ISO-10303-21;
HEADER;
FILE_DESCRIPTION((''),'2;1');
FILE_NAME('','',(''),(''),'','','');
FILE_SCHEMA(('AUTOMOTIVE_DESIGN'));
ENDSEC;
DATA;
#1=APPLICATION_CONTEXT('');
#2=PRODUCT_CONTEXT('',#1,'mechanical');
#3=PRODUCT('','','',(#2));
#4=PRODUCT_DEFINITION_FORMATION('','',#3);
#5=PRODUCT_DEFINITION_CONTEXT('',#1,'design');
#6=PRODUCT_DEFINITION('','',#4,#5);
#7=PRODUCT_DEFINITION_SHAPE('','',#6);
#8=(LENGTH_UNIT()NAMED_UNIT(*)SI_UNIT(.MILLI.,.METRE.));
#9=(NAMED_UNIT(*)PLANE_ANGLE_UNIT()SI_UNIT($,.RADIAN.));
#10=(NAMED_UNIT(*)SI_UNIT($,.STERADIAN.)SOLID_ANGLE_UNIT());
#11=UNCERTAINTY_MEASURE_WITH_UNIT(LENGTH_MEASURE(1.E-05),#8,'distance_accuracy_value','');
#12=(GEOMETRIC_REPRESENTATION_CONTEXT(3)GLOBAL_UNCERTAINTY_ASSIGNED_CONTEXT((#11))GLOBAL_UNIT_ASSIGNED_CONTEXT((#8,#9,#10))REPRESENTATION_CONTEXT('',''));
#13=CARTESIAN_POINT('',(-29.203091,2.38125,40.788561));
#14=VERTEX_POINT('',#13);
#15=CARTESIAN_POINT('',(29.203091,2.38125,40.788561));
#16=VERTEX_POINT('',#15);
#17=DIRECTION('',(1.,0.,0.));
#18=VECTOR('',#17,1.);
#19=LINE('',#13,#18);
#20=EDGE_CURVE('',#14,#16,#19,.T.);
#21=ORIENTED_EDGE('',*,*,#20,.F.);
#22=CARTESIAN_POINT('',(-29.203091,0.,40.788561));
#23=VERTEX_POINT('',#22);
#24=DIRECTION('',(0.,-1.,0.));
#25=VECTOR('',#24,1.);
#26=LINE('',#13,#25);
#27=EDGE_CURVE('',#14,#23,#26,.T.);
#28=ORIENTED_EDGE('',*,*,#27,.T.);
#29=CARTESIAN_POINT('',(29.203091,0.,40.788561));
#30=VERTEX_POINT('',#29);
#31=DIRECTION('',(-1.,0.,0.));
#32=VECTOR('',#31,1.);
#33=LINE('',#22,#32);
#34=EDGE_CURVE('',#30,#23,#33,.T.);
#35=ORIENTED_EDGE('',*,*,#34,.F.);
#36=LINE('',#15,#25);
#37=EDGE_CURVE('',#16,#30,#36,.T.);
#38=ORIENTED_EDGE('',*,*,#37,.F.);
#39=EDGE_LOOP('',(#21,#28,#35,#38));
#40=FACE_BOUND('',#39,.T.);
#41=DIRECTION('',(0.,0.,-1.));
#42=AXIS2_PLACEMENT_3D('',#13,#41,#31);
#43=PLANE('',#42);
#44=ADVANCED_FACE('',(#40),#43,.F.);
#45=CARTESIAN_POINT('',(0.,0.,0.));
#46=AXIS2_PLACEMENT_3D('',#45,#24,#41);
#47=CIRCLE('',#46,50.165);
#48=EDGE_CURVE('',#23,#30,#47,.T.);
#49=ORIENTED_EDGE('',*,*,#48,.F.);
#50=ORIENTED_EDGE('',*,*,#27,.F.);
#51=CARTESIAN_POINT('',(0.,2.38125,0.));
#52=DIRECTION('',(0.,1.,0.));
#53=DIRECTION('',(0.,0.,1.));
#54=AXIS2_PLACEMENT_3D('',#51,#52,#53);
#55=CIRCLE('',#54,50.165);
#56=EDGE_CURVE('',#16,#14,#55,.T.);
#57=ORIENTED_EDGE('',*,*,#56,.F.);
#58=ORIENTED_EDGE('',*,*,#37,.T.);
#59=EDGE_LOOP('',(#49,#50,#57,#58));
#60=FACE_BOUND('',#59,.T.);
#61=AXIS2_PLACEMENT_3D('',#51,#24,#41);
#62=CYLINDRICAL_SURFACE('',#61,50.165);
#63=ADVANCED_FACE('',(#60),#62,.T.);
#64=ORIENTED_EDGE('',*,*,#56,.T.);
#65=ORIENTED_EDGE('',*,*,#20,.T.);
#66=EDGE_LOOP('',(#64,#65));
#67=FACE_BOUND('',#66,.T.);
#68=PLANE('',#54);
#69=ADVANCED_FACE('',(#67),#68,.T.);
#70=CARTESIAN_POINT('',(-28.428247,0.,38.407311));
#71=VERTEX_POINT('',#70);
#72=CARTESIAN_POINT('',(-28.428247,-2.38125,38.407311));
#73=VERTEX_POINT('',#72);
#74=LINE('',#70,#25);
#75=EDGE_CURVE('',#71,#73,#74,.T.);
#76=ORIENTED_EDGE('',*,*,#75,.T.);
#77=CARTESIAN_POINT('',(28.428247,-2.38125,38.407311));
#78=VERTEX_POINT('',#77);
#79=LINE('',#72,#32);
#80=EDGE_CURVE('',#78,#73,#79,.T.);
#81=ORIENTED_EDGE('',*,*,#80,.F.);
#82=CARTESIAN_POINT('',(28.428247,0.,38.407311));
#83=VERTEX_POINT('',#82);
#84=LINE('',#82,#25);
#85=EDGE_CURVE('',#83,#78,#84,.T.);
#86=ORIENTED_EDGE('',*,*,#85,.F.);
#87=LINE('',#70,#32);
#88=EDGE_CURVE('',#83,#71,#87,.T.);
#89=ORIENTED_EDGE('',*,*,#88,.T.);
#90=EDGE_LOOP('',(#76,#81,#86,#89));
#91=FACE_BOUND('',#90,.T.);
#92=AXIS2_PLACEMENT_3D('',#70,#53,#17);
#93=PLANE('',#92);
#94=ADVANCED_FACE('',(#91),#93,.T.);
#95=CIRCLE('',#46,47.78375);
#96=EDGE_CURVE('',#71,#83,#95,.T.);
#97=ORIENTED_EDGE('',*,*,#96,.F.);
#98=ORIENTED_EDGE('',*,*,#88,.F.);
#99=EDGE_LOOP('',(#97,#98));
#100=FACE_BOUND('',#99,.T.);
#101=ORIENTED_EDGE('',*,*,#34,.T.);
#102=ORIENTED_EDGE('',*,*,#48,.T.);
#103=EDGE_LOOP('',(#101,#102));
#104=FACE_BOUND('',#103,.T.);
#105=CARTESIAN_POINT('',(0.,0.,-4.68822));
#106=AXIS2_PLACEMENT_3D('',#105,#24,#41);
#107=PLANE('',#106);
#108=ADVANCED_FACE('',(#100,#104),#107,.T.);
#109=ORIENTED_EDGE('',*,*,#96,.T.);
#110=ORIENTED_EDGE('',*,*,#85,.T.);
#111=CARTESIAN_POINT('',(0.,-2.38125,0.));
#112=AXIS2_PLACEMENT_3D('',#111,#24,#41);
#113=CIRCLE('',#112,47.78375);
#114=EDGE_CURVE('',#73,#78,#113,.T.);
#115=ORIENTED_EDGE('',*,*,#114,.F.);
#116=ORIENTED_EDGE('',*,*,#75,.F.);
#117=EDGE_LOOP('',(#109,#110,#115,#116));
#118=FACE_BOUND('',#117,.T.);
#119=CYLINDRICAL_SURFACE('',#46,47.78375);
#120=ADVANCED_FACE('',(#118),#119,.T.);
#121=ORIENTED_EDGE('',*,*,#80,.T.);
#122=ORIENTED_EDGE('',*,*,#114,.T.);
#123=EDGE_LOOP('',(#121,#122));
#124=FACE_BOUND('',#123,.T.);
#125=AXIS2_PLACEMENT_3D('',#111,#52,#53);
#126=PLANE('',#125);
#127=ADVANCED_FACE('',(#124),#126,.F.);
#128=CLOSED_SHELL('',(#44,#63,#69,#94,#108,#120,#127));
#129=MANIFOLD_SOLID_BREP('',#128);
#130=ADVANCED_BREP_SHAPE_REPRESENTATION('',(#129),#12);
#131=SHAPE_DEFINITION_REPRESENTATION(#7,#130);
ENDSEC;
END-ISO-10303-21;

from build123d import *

# Parameters (mm, degrees)
BOSS_EXTRUDE1_DEPTH = 2.38125
SKETCH3_OUTSIDE_W   = 129.43
SKETCH3_OUTSIDE_H   = 120.054
CUT_EXTRUDE1_DEPTH  = 2.38125


with BuildPart() as part:
    # Sketch2 → Boss-Extrude1 (new, symmetric)
    with BuildSketch(Plane(origin=(0, 0, 0), x_dir=(1, 0, 0), z_dir=(0, 1, 0))):
        with BuildLine():
            Line((-29.2030912, -40.788560766), (29.2030912, -40.788560766))
            ThreePointArc((29.2030912, -40.788560766), (0, 50.165), (-29.2030912, -40.788560766))
        make_face()
    extrude(amount=BOSS_EXTRUDE1_DEPTH, both=True)

    # Sketch3 outside → Cut-Extrude1 (cut)
    with BuildSketch(Plane.XZ.offset(2.38125)):
        with Locations((0, -4.688)):
            Rectangle(SKETCH3_OUTSIDE_W, SKETCH3_OUTSIDE_H)
        with BuildLine():
            Line((-28.428247287, 38.407310766), (28.428247287, 38.407310766))
            ThreePointArc((28.428247287, 38.407310766), (0, -47.78375), (-28.428247287, 38.407310766))
        make_face(mode=Mode.SUBTRACT)
    extrude(amount=-CUT_EXTRUDE1_DEPTH, mode=Mode.SUBTRACT)


solid = part.part
